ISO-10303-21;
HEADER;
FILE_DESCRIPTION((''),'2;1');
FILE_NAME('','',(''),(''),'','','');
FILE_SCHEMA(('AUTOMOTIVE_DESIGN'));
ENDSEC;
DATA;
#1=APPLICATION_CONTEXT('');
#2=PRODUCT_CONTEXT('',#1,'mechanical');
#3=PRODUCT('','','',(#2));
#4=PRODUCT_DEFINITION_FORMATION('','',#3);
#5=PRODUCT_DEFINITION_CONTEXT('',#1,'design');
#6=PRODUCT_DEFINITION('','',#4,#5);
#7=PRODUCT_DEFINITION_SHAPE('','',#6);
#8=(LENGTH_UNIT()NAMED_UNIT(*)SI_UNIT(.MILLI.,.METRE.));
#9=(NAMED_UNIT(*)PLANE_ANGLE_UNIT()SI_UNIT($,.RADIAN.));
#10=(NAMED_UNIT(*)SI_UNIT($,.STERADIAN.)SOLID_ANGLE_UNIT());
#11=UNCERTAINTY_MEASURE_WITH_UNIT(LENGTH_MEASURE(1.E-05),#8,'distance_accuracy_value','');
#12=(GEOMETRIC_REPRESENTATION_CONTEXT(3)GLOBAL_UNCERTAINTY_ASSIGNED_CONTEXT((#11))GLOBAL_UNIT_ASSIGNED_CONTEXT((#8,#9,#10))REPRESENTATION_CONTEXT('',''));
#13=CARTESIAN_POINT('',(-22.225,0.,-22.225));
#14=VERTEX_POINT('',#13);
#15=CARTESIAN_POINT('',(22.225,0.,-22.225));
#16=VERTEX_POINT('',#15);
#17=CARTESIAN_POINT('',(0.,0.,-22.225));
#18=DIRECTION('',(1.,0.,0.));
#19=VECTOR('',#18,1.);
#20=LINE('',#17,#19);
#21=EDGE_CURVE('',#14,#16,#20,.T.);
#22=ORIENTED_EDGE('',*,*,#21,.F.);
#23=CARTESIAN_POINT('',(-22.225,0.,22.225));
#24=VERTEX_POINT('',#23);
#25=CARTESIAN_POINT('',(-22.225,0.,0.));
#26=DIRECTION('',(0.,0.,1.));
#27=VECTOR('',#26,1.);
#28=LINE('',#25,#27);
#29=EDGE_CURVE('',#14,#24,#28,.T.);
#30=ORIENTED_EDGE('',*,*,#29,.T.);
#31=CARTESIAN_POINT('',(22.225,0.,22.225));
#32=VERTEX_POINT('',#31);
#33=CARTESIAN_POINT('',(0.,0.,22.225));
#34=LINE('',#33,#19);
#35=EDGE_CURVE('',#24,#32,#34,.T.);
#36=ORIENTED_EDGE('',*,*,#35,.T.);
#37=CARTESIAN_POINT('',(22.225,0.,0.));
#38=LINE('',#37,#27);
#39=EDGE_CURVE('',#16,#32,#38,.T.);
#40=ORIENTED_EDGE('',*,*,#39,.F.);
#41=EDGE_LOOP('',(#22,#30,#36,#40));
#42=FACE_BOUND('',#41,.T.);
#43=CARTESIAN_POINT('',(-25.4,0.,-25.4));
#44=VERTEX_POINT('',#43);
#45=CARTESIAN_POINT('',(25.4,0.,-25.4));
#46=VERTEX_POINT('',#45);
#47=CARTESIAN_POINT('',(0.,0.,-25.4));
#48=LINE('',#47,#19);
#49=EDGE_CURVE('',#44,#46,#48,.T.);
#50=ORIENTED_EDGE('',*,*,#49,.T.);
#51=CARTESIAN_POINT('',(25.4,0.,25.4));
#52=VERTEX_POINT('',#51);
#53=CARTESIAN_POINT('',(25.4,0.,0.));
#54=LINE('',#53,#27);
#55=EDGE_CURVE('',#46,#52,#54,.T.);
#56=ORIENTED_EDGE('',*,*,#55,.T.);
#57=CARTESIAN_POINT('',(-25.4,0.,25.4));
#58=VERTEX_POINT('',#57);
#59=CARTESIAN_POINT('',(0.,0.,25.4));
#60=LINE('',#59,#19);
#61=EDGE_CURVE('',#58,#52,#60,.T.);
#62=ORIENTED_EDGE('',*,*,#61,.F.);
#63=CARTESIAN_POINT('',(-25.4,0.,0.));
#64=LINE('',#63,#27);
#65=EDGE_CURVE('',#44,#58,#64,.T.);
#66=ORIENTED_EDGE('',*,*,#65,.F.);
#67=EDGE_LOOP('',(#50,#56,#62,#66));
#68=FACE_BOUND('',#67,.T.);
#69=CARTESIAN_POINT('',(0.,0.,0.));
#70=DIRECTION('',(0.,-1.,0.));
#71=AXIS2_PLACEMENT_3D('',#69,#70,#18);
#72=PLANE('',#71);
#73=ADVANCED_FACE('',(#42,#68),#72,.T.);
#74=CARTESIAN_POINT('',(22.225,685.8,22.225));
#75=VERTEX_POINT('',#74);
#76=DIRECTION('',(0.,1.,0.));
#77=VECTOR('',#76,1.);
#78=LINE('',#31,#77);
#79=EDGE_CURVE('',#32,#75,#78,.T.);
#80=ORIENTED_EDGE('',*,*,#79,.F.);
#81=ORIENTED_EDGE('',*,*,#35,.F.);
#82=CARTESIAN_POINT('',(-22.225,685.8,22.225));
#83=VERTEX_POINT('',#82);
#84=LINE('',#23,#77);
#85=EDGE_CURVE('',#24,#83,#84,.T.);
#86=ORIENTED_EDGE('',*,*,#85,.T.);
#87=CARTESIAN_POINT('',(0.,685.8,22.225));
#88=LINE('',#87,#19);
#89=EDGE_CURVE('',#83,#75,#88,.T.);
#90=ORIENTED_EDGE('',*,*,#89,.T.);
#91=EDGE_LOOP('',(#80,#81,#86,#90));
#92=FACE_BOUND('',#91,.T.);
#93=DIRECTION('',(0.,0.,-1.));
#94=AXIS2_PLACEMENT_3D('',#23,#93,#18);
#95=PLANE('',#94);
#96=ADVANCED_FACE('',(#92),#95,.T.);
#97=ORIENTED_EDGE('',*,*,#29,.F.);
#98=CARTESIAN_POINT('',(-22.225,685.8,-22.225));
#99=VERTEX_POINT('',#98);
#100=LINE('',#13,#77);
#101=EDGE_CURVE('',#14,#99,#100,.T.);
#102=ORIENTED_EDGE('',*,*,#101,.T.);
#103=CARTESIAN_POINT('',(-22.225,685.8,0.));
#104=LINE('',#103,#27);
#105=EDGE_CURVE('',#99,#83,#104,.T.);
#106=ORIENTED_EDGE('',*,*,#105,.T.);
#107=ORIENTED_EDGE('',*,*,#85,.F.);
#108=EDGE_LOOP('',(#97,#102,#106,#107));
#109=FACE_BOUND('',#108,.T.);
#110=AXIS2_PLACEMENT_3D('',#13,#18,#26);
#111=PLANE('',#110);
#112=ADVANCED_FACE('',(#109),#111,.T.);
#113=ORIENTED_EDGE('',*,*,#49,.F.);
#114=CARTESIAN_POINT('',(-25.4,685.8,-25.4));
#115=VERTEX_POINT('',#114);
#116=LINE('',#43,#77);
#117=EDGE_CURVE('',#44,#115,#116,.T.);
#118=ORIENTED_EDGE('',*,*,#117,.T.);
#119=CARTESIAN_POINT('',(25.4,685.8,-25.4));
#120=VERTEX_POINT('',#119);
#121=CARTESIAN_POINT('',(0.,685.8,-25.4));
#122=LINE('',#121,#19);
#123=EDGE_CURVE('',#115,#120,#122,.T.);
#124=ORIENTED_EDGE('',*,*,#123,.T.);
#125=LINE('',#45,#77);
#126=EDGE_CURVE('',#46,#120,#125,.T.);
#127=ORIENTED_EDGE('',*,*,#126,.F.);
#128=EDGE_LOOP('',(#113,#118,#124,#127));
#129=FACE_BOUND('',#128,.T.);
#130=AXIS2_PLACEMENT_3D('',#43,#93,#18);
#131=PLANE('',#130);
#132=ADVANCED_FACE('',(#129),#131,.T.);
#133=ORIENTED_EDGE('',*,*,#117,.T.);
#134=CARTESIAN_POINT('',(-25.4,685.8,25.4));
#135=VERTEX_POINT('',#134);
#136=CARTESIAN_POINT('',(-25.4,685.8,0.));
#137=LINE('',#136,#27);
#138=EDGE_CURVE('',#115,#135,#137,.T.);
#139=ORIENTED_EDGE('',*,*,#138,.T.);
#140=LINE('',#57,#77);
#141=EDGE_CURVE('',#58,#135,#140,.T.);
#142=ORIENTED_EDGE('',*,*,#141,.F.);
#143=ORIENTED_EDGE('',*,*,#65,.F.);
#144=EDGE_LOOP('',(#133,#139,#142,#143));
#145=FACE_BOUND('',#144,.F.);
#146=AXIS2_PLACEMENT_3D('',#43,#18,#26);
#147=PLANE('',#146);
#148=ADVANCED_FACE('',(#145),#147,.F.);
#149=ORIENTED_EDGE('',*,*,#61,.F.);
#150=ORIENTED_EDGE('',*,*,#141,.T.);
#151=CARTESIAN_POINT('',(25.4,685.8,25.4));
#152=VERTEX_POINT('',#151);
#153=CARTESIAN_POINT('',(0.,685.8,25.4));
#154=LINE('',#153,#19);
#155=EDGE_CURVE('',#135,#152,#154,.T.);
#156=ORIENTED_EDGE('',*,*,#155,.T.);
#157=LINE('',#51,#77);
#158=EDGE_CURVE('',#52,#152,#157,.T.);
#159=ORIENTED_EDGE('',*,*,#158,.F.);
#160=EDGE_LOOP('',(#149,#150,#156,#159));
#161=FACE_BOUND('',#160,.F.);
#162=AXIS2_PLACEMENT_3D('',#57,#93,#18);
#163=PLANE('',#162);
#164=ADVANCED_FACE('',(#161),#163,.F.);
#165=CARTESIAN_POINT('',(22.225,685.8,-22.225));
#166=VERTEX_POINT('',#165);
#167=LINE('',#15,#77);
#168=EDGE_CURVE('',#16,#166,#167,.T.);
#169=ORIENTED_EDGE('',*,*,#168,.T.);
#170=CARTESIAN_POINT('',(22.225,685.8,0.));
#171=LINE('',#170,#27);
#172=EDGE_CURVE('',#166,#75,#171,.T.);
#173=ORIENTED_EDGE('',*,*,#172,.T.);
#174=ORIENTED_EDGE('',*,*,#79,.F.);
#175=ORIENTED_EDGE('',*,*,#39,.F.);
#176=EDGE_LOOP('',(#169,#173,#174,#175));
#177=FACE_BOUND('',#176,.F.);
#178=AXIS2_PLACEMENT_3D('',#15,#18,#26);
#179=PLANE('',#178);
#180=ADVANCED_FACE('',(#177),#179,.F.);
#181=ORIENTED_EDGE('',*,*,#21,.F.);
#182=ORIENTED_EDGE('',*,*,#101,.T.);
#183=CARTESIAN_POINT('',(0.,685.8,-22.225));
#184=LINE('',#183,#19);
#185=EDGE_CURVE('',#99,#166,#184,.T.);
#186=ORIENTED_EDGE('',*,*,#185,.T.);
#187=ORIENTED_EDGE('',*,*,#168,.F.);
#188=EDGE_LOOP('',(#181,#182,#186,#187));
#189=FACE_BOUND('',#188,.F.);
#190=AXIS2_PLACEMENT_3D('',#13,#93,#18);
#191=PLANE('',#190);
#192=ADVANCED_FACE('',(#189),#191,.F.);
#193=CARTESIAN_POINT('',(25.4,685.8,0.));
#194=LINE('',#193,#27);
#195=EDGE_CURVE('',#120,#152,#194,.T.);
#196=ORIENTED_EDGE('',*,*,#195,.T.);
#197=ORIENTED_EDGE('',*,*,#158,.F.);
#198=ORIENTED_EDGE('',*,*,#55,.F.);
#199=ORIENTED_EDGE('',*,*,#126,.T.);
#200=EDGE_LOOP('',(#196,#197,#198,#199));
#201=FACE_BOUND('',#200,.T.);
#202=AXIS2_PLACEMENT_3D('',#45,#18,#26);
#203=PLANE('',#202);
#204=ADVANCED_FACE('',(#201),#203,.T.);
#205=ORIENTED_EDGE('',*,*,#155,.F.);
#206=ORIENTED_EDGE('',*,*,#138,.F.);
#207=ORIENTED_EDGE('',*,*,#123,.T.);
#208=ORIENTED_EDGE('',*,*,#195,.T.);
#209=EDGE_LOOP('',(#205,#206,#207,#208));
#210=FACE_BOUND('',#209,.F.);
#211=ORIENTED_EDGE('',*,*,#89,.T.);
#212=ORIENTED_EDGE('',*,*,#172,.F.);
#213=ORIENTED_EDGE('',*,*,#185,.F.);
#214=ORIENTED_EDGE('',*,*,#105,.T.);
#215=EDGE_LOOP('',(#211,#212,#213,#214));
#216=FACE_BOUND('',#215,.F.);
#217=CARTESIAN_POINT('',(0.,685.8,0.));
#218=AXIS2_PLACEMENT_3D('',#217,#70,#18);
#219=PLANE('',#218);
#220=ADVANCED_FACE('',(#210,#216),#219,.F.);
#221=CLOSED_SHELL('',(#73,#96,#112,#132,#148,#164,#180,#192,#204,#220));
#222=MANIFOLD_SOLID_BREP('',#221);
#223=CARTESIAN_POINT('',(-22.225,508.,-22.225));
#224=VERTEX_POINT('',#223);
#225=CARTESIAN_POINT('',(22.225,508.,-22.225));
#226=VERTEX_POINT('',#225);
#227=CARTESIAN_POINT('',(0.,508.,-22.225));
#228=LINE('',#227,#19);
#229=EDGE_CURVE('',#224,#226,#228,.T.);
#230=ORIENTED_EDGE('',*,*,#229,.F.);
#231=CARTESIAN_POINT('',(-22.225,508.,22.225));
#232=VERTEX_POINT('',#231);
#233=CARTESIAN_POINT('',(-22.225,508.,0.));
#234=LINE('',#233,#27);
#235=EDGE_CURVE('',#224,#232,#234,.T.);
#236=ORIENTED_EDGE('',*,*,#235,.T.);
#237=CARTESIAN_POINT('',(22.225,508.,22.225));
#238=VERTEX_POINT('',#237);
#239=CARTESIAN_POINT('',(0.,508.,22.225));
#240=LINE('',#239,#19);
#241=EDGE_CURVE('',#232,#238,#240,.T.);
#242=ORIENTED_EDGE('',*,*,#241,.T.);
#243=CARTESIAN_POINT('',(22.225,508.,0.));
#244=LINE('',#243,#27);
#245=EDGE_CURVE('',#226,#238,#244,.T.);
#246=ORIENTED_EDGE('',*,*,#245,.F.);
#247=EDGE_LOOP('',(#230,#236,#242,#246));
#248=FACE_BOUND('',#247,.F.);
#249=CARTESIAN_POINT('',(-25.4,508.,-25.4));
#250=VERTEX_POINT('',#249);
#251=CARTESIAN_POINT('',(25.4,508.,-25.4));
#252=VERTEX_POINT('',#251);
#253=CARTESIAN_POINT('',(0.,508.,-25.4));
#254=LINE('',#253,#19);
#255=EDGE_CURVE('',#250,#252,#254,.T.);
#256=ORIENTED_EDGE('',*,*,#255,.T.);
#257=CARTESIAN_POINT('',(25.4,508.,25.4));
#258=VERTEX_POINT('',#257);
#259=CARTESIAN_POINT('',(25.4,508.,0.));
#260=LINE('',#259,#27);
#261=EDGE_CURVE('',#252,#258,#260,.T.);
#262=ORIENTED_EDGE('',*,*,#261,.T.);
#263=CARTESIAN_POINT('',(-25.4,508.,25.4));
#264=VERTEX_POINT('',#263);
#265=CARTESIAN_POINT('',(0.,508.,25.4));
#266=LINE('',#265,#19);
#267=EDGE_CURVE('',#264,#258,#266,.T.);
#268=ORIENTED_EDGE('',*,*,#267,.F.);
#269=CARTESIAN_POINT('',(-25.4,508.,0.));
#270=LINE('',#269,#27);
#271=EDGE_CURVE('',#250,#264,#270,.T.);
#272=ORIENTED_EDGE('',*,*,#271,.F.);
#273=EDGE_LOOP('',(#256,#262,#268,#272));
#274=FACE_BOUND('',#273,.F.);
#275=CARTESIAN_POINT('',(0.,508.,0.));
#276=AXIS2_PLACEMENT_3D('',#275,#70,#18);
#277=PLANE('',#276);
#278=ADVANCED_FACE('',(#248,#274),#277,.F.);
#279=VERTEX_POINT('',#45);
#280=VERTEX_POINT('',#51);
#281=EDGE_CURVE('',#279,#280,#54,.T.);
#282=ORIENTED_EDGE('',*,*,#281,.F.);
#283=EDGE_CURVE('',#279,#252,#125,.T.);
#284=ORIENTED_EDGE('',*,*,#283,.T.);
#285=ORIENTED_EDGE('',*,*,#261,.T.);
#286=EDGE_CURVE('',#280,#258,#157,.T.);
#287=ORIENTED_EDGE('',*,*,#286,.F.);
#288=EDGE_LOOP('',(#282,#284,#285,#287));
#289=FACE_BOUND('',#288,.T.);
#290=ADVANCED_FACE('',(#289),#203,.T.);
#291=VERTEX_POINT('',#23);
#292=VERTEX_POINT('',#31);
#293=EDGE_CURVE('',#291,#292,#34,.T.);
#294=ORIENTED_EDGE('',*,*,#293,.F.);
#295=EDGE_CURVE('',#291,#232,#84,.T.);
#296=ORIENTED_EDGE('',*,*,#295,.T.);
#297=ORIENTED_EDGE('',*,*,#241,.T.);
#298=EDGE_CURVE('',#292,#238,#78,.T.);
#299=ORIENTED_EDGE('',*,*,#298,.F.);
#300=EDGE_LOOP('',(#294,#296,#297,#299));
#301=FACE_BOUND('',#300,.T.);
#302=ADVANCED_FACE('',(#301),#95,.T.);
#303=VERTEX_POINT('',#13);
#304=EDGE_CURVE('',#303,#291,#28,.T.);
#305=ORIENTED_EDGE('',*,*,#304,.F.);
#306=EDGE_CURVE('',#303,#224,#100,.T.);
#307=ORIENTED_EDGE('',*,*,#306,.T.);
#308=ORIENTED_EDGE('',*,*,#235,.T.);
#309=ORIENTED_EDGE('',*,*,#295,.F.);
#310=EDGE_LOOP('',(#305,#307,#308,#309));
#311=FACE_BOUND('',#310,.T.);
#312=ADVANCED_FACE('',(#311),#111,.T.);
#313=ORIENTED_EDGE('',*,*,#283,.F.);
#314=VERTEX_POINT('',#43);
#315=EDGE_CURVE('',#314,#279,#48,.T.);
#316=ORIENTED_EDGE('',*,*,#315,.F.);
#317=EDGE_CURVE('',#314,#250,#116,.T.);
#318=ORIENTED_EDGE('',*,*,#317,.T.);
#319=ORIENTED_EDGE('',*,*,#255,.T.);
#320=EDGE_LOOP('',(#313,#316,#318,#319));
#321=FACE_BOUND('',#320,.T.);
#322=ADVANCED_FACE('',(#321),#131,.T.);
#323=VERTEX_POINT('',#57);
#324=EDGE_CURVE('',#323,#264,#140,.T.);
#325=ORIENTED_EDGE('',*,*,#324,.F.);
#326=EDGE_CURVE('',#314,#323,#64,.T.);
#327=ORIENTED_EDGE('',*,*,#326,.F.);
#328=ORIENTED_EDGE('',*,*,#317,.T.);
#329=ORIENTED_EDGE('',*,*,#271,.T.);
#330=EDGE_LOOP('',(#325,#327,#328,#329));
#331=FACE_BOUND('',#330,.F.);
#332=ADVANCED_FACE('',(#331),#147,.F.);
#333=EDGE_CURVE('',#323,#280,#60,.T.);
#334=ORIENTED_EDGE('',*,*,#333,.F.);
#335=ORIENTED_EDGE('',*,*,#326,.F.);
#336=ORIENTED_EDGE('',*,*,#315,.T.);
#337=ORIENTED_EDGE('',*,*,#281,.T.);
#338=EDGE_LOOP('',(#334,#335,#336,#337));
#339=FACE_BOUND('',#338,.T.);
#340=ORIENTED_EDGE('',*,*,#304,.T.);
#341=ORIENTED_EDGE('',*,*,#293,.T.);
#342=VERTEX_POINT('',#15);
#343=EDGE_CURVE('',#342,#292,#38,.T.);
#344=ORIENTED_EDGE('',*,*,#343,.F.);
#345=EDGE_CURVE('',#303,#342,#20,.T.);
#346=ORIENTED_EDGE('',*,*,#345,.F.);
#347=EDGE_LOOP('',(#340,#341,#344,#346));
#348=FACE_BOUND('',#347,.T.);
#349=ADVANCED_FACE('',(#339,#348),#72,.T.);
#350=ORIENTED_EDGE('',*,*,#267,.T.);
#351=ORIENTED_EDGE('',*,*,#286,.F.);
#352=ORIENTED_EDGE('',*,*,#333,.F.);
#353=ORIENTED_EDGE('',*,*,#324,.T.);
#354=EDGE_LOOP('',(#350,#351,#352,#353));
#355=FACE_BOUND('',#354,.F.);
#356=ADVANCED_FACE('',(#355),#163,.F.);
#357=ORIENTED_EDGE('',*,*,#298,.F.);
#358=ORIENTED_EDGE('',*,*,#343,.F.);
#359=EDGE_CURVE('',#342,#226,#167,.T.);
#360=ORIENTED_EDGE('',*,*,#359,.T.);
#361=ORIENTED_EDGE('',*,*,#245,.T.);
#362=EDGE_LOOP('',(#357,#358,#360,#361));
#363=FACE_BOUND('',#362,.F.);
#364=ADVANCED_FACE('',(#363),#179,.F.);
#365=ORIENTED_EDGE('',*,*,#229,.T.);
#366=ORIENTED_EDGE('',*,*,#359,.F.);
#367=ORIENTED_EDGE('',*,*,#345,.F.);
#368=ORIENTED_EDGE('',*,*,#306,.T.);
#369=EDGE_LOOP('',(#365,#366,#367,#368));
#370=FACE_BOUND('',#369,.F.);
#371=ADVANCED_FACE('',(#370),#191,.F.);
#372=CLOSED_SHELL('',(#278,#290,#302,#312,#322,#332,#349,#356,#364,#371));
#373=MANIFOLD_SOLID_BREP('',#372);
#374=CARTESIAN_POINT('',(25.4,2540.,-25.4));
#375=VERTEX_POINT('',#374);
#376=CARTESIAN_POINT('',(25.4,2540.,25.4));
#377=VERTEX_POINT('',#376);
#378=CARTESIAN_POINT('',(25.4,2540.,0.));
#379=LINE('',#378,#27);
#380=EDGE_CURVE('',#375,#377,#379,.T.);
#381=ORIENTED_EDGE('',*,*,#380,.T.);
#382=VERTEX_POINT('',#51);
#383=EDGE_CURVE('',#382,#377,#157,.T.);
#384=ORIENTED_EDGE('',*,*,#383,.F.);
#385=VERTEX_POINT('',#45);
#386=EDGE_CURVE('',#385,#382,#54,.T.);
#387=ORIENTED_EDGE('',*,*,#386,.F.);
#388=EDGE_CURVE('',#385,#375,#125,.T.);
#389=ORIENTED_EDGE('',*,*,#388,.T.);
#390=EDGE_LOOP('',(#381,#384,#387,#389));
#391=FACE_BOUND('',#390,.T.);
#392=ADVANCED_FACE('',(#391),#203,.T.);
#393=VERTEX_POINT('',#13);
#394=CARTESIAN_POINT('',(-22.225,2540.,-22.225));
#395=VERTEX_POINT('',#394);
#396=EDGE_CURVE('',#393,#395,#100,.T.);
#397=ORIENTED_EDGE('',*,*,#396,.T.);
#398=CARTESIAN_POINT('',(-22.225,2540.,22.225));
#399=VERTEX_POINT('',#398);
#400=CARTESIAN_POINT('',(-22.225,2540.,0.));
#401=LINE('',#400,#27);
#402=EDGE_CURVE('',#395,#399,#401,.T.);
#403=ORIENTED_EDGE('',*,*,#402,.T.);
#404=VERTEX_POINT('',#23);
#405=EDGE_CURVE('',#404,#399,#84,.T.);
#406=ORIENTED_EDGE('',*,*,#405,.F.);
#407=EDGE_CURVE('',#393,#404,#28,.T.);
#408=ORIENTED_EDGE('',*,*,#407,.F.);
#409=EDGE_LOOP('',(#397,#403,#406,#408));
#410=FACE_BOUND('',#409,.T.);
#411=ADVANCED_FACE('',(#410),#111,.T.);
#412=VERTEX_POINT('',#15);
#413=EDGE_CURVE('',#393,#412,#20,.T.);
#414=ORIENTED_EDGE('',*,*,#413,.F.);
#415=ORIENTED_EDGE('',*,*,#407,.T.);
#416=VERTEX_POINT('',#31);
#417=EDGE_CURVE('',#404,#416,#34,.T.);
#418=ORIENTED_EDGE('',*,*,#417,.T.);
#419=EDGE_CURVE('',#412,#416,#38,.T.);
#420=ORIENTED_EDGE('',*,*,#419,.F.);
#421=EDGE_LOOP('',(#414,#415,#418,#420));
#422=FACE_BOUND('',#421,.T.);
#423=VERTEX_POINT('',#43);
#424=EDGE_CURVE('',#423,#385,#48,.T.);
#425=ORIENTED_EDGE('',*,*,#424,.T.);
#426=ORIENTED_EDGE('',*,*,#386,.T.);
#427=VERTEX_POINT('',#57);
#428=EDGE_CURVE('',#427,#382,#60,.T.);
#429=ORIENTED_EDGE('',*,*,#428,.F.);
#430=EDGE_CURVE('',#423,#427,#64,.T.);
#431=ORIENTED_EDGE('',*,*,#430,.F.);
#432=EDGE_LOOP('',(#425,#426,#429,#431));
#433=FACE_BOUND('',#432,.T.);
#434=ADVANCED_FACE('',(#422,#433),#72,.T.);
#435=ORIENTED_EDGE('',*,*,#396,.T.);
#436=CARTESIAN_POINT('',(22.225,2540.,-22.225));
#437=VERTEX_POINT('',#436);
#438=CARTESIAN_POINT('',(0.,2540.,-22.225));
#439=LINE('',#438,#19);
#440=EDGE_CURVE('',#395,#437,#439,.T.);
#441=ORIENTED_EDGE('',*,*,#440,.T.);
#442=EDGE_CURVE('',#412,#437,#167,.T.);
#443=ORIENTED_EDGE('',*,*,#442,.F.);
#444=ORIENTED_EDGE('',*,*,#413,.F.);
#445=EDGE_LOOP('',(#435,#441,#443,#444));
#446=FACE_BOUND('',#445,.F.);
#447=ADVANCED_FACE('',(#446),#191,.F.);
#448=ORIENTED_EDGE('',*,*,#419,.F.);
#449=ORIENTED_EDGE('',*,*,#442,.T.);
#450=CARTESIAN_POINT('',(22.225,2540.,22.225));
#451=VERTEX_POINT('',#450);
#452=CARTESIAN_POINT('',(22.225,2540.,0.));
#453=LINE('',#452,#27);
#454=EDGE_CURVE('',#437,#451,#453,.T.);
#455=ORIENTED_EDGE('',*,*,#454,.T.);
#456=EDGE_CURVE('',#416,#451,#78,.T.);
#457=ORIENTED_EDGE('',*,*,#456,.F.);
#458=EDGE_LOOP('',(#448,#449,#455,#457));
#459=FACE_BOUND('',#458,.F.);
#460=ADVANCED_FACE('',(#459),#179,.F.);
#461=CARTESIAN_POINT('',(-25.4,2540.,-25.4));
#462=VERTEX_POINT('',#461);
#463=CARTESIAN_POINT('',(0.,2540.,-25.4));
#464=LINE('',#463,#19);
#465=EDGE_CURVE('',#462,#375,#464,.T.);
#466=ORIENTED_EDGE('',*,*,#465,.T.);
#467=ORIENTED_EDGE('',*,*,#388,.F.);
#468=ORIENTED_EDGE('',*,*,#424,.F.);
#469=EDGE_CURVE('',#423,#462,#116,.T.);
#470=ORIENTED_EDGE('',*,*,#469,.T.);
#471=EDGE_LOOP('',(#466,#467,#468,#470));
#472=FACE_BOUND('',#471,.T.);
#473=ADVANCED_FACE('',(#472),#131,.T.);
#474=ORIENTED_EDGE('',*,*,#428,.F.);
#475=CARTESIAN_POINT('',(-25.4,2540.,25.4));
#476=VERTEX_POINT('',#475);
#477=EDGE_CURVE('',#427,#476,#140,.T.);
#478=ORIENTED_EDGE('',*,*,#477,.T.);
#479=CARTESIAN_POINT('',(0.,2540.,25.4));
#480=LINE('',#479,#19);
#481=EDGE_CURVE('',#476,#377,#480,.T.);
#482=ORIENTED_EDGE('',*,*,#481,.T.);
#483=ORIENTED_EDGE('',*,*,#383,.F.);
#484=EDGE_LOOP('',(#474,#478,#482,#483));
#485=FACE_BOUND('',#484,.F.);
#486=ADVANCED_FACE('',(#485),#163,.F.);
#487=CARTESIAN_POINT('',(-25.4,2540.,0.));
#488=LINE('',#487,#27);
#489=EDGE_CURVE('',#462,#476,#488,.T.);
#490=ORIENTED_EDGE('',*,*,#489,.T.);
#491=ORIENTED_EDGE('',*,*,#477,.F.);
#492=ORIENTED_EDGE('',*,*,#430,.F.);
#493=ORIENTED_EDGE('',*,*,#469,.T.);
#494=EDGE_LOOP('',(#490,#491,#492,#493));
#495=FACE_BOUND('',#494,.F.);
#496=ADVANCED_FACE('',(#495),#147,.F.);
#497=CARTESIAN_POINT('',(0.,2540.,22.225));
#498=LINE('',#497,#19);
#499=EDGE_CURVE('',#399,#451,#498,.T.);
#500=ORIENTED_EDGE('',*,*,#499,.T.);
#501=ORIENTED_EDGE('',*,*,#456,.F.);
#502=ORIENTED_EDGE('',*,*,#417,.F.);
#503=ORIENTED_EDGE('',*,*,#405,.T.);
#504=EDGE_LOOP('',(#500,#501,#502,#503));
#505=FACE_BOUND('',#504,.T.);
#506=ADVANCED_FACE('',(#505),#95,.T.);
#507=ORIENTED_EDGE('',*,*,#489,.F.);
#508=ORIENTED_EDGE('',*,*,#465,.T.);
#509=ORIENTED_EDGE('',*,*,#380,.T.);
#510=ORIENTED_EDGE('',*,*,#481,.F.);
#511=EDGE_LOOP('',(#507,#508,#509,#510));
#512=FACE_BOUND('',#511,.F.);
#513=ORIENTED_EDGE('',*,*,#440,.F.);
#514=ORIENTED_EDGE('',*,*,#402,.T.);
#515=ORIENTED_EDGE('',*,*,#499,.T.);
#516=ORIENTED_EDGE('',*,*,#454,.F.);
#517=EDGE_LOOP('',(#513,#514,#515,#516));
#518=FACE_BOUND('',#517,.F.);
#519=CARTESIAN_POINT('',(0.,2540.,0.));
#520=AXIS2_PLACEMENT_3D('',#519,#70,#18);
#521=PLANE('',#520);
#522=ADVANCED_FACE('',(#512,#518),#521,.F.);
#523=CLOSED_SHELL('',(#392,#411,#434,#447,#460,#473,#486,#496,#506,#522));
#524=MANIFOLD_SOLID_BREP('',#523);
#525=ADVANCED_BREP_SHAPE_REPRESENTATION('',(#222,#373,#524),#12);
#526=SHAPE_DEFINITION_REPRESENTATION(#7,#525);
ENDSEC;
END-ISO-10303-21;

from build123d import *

# Parameters (mm, degrees)
F0_W     = 50.8
F0_H     = 50.8
F0_W_2   = 44.45
F0_H_2   = 44.45
F1_DEPTH = 2540
F2_DEPTH = 685.8
F3_DEPTH = 508


with BuildPart() as f1:
    # F0 (on Front) → F1 (new body)
    with BuildSketch(Plane.XZ):
        Rectangle(F0_W, F0_H)
        Rectangle(F0_W_2, F0_H_2, mode=Mode.SUBTRACT)
    extrude(amount=-F1_DEPTH)


with BuildPart() as f2:
    # F0 (on Front) → F2 (new body)
    with BuildSketch(Plane.XZ):
        Rectangle(F0_W, F0_H)
        Rectangle(F0_W_2, F0_H_2, mode=Mode.SUBTRACT)
    extrude(amount=-F2_DEPTH)


with BuildPart() as f3:
    # F0 (on Front) → F3 (new body)
    with BuildSketch(Plane.XZ):
        Rectangle(F0_W, F0_H)
        Rectangle(F0_W_2, F0_H_2, mode=Mode.SUBTRACT)
    extrude(amount=-F3_DEPTH)


solid = Compound([f1.part, f2.part, f3.part])
